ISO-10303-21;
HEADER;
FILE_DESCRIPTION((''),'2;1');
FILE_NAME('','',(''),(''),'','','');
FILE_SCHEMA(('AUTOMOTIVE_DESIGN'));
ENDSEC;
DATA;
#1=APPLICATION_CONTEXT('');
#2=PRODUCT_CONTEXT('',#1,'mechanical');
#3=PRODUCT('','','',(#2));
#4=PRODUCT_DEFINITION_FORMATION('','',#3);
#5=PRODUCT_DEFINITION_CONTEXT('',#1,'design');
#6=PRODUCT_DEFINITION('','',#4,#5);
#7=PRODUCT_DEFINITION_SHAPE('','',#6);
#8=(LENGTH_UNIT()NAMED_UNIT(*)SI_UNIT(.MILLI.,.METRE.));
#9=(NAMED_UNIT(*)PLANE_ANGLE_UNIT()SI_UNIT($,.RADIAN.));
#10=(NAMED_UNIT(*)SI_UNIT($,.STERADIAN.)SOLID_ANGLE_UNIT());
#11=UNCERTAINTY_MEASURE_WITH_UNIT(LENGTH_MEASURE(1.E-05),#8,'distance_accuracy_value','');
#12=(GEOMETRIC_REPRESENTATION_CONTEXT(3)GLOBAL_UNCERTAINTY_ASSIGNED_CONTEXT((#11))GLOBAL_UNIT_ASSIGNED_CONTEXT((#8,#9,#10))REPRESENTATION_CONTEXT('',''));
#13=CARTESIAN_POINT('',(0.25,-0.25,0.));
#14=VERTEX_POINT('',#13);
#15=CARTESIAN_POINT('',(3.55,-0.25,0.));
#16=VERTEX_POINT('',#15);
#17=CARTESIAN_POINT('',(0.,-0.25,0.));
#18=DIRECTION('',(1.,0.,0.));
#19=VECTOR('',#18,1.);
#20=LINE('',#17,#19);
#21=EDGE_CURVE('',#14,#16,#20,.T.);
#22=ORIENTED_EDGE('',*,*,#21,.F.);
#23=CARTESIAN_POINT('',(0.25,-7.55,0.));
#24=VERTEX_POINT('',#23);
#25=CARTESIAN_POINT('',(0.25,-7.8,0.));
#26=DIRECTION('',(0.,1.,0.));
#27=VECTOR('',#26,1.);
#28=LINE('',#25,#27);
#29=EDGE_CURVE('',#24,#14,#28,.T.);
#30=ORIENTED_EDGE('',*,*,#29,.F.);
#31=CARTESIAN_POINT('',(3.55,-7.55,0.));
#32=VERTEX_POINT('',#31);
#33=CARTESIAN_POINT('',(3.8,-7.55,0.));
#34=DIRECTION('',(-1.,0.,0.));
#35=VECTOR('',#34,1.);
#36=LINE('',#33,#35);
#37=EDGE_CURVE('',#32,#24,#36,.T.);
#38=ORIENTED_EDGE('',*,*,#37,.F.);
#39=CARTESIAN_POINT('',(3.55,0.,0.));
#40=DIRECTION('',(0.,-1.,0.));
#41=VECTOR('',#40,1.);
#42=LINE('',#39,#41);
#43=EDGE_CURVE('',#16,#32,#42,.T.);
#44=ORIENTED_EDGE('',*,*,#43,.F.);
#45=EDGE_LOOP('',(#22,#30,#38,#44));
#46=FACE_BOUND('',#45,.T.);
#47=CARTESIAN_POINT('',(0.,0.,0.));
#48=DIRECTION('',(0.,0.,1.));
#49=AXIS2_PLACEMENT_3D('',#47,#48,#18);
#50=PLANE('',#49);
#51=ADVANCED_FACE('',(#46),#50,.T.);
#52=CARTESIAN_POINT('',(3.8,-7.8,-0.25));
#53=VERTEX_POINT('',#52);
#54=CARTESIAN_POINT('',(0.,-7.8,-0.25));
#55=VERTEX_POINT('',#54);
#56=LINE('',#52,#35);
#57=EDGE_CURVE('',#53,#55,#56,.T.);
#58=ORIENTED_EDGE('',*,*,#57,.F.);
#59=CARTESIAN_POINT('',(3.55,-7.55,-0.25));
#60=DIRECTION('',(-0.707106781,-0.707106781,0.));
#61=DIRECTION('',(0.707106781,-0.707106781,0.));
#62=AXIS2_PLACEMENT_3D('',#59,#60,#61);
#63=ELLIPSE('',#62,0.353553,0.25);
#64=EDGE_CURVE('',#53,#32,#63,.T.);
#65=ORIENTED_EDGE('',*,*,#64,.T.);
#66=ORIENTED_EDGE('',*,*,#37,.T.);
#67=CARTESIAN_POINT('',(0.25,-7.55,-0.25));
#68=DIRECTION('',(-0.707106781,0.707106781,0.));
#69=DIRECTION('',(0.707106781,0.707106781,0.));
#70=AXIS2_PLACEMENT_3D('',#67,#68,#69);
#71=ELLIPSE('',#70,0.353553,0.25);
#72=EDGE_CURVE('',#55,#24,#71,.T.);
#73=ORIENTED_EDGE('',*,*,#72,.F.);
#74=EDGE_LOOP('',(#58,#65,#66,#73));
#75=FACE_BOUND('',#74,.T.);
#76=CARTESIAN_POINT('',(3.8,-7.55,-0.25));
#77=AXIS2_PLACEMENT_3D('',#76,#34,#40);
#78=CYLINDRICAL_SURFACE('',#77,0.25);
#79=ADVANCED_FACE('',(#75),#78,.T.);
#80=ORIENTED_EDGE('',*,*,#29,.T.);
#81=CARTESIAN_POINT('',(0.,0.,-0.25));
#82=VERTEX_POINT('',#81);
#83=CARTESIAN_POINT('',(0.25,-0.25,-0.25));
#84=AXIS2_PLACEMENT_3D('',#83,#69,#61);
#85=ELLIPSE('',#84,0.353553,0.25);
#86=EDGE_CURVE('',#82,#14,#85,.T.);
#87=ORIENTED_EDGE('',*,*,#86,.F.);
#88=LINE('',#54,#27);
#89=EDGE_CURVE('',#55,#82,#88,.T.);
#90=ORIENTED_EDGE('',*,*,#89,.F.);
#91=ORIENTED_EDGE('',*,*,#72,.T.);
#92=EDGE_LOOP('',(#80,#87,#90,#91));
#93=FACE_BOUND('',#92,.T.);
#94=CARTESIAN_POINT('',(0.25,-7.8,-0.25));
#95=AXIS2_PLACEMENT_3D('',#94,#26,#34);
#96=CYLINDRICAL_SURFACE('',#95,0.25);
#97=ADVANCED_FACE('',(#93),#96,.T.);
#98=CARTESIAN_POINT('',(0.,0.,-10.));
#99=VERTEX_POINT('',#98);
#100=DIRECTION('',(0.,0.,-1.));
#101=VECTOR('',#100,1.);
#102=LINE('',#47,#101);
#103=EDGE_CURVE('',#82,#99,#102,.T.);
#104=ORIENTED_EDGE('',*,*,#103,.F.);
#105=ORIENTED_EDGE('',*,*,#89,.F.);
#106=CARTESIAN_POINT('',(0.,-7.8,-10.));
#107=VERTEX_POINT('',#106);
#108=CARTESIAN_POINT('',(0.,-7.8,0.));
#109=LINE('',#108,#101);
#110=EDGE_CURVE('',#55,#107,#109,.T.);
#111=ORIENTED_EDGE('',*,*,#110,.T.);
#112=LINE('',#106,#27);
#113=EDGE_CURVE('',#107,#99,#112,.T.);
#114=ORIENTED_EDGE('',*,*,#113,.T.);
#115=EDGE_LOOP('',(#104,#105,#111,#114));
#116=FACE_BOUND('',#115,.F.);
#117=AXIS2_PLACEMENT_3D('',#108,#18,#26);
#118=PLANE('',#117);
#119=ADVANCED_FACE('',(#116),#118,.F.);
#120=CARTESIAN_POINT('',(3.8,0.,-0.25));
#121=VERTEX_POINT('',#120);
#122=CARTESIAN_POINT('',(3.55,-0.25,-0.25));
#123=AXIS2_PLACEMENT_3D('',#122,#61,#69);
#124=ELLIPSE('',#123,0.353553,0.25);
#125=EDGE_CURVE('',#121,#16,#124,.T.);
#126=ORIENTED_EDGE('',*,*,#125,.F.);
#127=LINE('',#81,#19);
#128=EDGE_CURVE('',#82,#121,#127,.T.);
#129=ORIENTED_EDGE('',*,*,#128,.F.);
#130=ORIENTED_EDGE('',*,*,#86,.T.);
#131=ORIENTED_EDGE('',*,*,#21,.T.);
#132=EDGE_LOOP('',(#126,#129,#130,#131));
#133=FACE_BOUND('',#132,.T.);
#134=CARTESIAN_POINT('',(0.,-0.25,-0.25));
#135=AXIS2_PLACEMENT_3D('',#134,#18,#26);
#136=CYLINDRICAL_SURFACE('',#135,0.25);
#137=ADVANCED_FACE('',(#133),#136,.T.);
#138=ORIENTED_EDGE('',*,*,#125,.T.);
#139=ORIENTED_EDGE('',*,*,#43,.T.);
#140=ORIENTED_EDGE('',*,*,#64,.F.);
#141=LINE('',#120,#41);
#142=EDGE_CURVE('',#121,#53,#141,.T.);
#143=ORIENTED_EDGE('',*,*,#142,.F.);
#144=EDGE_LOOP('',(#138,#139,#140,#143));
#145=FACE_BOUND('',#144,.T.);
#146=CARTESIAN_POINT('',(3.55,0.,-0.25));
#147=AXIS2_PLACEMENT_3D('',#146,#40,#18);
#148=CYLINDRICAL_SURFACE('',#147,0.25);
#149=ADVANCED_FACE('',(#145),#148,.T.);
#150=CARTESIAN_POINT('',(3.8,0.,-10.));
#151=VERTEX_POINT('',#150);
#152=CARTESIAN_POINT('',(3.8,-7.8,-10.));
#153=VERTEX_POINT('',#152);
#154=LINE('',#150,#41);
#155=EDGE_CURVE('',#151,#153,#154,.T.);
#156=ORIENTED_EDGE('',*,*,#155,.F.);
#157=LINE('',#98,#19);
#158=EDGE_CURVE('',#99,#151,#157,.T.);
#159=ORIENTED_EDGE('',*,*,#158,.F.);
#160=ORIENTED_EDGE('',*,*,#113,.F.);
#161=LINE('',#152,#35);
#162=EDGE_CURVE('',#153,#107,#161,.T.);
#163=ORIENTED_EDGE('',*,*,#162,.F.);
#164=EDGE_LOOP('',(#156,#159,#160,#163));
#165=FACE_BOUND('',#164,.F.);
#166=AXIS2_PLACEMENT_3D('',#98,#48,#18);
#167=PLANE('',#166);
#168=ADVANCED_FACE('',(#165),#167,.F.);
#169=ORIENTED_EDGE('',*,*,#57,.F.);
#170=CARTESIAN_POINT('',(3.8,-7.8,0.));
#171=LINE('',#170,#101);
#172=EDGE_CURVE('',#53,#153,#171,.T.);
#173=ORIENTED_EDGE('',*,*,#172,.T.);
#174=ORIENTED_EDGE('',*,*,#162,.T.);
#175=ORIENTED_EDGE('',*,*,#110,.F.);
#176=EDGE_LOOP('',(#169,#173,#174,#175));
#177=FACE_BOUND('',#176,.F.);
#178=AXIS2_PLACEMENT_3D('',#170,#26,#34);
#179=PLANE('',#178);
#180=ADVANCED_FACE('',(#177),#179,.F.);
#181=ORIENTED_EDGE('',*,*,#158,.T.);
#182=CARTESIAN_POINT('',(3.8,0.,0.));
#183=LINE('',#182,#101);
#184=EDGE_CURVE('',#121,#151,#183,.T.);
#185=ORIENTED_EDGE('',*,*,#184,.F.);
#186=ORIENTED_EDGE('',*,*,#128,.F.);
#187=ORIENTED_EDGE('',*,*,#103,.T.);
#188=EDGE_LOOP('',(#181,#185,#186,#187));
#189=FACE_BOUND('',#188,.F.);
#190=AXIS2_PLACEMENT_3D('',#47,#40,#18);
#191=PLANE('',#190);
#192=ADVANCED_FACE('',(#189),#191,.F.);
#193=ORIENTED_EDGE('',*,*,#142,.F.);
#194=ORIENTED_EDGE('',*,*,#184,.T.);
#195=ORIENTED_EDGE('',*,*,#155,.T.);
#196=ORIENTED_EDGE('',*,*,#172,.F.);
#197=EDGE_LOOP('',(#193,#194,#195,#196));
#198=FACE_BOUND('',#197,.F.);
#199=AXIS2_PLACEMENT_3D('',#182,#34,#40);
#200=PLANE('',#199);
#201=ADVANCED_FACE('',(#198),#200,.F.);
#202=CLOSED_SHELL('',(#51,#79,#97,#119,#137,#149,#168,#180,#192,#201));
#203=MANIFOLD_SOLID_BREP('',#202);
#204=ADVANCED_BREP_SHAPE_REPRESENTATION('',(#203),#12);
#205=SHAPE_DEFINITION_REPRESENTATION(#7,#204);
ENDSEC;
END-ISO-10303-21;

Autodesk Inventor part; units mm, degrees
ref_plane "YZ Plane" through (0, 0, 0) normal (1, 0, 0) x (0, 1, 0)
ref_plane "XZ Plane" through (0, 0, 0) normal (0, 1, 0) x (-1, 0, 0)
ref_plane "XY Plane" through (0, 0, 0) normal (0, 0, 1) x (1, 0, 0)
sketch "Sketch1" plane through (0, 0, 0) normal (0, 0, 1) x (1, 0, 0)
  line L0 (0, 0) -> (3.8, 0)
  line L1 (3.8, 0) -> (3.8, -7.8)
  line L2 (3.8, -7.8) -> (0, -7.8)
  line L3 (0, -7.8) -> (0, 0)
  dimension "d0" = 3.8
  dimension "d1" = 7.8
extrude "Extrusion1" add sketch "Sketch1" against normal blind 10
fillet "Fillet1" radius 0.25 4 edges at (1.9, 0, 0) (0, -3.9, 0) (3.8, -3.9, 0) (1.9, -7.8, 0)
equation "\"d0\" = BL_width"
equation "\"d1\" = BL_length"
equation "\"d2\" = BL_depth"
equation "\"d4\" = W_filletRadius"
equation "\"Wheel_Related_W_\" = 0"
equation "\"W_innerDepth\" = 4"
equation "\"W_wallThickness\" = 2"
equation "\"W_holesClearance\" = 0.3"
equation "\"W_outerGearHoleDiameter\" = 5.3"
equation "\"W_innerGearHoleDiameter\" = 10.1"
equation "\"TempSpotReserved7\" = 0"
equation "\"TempSpotReserved8\" = 0"
equation "\"TempSpotReserved9\" = 0"
equation "\"TempSpotReserved10\" = 0"
equation "\"Inner_Gear_Related_IG_\" = 0"
equation "\"IG_shaftDiameter\" = 7.5"
equation "\"IG_shaftLength\" = 15"
equation "\"IG_gearThickness\" = 2"
equation "\"IG_ratioToOuterGear\" = 0.75"
equation "\"IG_skirtThickness\" = 2"
equation "\"IG_extentionLength\" = 18.33333"
equation "\"IG_extentionThickness\" = 3"
equation "\"IG_slitWidth\" = 4"
equation "\"IG_slitlength\" = 8"
equation "\"Outer_Gear_Related_OG_\" = 0"
equation "\"OG_distanceFromCenter\" = 23.33333"
equation "\"OG_shaftDiameter\" = 5"
equation "\"OG_gearDiameter\" = 26.66667"
equation "\"OG_shaftLength\" = 7"
equation "\"OG_gearThickness\" = 2"
equation "\"OG_skirtOffset\" = 1"
equation "\"OG_skirtThickness\" = 1"
equation "\"TempSpotReserved29\" = 0"
equation "\"TempSpotReserved30\" = 0"
equation "\"Leg_Extensions_Related_LE_\" = 0"
equation "\"LE_baseDiameter\" = 5"
equation "\"LE_maxLength\" = 24.6522"
equation "\"LE_thickness\" = 2.5"
equation "\"LE_offsetAboveOuterGear\" = 0"
equation "\"TempSpotReserved35\" = 0"
equation "\"TempSpotReserved36\" = 0"
equation "\"TempSpotReserved37\" = 0"
equation "\"TempSpotReserved38\" = 0"
equation "\"TempSpotReserved39\" = 0"
equation "\"TempSpotReserved40\" = 0"
equation "\"Bearing_Related_B_\" = 0"
equation "\"B_bearingThickness\" = 1"
equation "\"TempSpotReserved42\" = 0"
equation "\"TempSpotReserved43\" = 0"
equation "\"TempSpotReserved44\" = 0"
equation "\"TempSpotReserved45\" = 0"
equation "\"TempSpotReserved46\" = 0"
equation "\"TempSpotReserved47\" = 0"
equation "\"TempSpotReserved48\" = 0"
equation "\"TempSpotReserved49\" = 0"
equation "\"TempSpotReserved50\" = 0"
equation "\"IG_slitDistanceFromCenterHole\" = 8"
equation "\"IG_slitClearance\" = 0.2"
equation "\"Reserved_10\" = 0"
equation "\"Reserved_9\" = 0"
equation "\"Reserved_11\" = 0"
equation "\"Reserved_12\" = 0"
equation "\"Reserved_8\" = 0"
equation "\"Reserved_7\" = 0"
equation "\"Reserved_26\" = 0"
equation "\"Reserved_20\" = 0"
equation "\"Reserved_22\" = 0"
equation "\"Reserved_23\" = 0"
equation "\"Reserved_25\" = 0"
equation "\"Reserved_24\" = 0"
equation "\"Reserved_21\" = 0"
equation "\"Reserved_19\" = 0"
equation "\"Reserved_27\" = 0"
equation "\"Reserved_14\" = 0"
equation "\"Reserved_15\" = 0"
equation "\"Reserved_16\" = 0"
equation "\"Reserved_13\" = 0"
equation "\"Reserved_17\" = 0"
equation "\"Reserved_18\" = 0"
equation "\"Bearing_Related_BR_\" = 0"
equation "\"BR_bearingThickness\" = 1"
equation "\"Block_Related_BL_\" = 0"
equation "\"BL_width\" = 3.8"
equation "\"BL_length\" = 7.8"
equation "\"BL_depth\" = 10"
equation "\"W_filletRadius\" = 0.25"
equation "\"W_extrutsionTaperAngle\" = 2deg"
equation "\"OG_protrudeDistance\" = 3"
properties part number "block"
